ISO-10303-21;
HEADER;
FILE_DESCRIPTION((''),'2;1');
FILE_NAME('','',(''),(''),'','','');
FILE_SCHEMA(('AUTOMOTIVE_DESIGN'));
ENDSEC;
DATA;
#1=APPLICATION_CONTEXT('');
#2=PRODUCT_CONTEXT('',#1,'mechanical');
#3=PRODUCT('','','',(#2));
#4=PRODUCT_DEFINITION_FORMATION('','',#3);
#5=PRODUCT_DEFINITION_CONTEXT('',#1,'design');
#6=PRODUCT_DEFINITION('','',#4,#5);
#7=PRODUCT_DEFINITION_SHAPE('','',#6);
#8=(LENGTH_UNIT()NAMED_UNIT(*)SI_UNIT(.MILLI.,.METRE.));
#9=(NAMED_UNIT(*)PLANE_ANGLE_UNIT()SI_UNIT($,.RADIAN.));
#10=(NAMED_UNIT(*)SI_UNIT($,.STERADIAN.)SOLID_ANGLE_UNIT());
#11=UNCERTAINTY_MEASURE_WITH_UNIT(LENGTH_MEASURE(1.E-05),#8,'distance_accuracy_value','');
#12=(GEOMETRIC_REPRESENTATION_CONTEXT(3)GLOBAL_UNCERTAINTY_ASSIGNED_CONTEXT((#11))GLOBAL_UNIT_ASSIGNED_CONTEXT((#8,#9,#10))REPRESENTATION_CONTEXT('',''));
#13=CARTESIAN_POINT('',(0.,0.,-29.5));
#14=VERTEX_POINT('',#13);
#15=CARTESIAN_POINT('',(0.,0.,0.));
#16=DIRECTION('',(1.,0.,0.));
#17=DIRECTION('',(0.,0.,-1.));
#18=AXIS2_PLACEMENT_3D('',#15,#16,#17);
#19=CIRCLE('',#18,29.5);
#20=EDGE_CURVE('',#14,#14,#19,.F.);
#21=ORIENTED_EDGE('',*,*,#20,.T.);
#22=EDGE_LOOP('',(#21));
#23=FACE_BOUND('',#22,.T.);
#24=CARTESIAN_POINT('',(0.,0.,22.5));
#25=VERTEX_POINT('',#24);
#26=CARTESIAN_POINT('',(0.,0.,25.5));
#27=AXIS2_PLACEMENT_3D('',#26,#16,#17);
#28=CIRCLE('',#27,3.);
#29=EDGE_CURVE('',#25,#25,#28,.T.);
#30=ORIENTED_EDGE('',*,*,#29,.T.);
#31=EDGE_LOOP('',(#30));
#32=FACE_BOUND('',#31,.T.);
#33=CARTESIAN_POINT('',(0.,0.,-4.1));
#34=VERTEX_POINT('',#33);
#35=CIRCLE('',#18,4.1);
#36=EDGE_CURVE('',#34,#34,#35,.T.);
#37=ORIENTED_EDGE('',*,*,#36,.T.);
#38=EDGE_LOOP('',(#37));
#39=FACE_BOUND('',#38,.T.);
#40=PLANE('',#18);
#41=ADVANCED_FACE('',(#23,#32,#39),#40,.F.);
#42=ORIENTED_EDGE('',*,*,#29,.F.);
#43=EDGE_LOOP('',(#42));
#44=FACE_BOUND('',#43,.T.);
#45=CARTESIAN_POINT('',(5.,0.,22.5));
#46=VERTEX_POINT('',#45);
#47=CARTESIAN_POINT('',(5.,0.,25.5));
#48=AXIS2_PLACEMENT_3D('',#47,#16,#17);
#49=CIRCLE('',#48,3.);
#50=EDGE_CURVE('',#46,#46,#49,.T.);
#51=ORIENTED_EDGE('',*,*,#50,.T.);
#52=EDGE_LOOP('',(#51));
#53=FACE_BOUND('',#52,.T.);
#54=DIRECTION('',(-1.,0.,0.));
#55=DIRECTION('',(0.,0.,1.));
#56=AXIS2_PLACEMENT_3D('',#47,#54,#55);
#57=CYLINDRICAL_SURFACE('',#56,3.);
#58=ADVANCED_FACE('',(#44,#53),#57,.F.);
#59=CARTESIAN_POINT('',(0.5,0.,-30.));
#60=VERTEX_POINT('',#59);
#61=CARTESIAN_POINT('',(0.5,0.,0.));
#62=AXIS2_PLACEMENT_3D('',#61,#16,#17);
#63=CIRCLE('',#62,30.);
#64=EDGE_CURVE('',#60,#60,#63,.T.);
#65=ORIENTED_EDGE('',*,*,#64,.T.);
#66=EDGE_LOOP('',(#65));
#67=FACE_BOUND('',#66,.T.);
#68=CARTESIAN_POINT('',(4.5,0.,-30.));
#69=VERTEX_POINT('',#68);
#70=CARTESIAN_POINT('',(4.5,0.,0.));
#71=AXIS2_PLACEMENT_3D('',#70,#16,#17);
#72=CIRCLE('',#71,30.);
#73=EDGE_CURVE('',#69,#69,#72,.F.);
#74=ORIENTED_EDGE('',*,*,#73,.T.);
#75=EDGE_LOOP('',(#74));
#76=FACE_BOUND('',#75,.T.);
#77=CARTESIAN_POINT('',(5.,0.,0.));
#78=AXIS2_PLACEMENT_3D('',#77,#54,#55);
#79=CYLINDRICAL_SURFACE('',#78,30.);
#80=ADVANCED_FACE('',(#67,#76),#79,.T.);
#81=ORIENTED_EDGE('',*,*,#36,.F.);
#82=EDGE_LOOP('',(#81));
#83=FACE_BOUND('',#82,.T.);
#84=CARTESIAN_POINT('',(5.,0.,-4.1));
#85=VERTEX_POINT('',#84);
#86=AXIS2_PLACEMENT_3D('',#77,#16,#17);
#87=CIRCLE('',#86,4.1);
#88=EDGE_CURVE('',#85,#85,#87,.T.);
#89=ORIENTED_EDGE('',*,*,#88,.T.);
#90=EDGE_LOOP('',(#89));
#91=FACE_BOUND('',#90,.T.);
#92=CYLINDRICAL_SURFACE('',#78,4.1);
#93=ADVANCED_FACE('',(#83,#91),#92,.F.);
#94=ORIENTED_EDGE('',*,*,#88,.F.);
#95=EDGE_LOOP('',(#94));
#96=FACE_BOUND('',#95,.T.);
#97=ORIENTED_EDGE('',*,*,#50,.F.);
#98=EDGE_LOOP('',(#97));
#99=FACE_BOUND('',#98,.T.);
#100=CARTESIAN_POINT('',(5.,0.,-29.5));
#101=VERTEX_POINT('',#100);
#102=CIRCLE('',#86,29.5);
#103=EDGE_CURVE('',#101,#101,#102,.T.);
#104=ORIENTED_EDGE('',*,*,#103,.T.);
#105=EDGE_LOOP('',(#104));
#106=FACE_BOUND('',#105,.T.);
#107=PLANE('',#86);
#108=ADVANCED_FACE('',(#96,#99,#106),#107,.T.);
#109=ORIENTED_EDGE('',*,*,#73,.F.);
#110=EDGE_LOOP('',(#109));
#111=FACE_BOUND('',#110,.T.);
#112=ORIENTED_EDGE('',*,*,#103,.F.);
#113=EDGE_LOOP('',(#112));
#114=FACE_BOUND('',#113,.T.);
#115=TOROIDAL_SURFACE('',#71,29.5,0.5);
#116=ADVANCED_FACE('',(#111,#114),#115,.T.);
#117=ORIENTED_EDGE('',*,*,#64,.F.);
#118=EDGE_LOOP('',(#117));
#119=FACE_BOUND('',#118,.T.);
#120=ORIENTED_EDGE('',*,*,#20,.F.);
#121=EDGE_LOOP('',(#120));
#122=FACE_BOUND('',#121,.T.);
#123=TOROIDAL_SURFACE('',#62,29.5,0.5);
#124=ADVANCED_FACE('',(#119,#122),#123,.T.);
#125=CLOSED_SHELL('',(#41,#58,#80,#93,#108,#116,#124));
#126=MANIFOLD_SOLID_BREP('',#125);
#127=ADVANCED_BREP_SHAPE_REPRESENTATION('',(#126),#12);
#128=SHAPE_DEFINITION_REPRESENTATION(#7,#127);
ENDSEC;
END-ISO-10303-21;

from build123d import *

# Parameters (mm, degrees)
SKETCH1_R           = 30
SKETCH1_R_2         = 3
SKETCH1_R_3         = 4.1
BOSS_EXTRUDE1_DEPTH = 5
FILLET1_R           = 0.5


with BuildPart() as part:
    # Sketch1 → Boss-Extrude1 (new body)
    with BuildSketch(Plane(origin=(0, 0, 0), x_dir=(0, 0, -1), z_dir=(1, 0, 0))):
        Circle(SKETCH1_R)
        with Locations((-25.5, 0)):
            Circle(SKETCH1_R_2, mode=Mode.SUBTRACT)
        Circle(SKETCH1_R_3, mode=Mode.SUBTRACT)
    extrude(amount=BOSS_EXTRUDE1_DEPTH)

    # Fillet1
    fillet1_edges = [part.edges().sort_by_distance(p)[0] for p in [
        (0, 0, 30),
        (5, 0, 30),
    ]]
    fillet(fillet1_edges, radius=FILLET1_R)


solid = part.part
